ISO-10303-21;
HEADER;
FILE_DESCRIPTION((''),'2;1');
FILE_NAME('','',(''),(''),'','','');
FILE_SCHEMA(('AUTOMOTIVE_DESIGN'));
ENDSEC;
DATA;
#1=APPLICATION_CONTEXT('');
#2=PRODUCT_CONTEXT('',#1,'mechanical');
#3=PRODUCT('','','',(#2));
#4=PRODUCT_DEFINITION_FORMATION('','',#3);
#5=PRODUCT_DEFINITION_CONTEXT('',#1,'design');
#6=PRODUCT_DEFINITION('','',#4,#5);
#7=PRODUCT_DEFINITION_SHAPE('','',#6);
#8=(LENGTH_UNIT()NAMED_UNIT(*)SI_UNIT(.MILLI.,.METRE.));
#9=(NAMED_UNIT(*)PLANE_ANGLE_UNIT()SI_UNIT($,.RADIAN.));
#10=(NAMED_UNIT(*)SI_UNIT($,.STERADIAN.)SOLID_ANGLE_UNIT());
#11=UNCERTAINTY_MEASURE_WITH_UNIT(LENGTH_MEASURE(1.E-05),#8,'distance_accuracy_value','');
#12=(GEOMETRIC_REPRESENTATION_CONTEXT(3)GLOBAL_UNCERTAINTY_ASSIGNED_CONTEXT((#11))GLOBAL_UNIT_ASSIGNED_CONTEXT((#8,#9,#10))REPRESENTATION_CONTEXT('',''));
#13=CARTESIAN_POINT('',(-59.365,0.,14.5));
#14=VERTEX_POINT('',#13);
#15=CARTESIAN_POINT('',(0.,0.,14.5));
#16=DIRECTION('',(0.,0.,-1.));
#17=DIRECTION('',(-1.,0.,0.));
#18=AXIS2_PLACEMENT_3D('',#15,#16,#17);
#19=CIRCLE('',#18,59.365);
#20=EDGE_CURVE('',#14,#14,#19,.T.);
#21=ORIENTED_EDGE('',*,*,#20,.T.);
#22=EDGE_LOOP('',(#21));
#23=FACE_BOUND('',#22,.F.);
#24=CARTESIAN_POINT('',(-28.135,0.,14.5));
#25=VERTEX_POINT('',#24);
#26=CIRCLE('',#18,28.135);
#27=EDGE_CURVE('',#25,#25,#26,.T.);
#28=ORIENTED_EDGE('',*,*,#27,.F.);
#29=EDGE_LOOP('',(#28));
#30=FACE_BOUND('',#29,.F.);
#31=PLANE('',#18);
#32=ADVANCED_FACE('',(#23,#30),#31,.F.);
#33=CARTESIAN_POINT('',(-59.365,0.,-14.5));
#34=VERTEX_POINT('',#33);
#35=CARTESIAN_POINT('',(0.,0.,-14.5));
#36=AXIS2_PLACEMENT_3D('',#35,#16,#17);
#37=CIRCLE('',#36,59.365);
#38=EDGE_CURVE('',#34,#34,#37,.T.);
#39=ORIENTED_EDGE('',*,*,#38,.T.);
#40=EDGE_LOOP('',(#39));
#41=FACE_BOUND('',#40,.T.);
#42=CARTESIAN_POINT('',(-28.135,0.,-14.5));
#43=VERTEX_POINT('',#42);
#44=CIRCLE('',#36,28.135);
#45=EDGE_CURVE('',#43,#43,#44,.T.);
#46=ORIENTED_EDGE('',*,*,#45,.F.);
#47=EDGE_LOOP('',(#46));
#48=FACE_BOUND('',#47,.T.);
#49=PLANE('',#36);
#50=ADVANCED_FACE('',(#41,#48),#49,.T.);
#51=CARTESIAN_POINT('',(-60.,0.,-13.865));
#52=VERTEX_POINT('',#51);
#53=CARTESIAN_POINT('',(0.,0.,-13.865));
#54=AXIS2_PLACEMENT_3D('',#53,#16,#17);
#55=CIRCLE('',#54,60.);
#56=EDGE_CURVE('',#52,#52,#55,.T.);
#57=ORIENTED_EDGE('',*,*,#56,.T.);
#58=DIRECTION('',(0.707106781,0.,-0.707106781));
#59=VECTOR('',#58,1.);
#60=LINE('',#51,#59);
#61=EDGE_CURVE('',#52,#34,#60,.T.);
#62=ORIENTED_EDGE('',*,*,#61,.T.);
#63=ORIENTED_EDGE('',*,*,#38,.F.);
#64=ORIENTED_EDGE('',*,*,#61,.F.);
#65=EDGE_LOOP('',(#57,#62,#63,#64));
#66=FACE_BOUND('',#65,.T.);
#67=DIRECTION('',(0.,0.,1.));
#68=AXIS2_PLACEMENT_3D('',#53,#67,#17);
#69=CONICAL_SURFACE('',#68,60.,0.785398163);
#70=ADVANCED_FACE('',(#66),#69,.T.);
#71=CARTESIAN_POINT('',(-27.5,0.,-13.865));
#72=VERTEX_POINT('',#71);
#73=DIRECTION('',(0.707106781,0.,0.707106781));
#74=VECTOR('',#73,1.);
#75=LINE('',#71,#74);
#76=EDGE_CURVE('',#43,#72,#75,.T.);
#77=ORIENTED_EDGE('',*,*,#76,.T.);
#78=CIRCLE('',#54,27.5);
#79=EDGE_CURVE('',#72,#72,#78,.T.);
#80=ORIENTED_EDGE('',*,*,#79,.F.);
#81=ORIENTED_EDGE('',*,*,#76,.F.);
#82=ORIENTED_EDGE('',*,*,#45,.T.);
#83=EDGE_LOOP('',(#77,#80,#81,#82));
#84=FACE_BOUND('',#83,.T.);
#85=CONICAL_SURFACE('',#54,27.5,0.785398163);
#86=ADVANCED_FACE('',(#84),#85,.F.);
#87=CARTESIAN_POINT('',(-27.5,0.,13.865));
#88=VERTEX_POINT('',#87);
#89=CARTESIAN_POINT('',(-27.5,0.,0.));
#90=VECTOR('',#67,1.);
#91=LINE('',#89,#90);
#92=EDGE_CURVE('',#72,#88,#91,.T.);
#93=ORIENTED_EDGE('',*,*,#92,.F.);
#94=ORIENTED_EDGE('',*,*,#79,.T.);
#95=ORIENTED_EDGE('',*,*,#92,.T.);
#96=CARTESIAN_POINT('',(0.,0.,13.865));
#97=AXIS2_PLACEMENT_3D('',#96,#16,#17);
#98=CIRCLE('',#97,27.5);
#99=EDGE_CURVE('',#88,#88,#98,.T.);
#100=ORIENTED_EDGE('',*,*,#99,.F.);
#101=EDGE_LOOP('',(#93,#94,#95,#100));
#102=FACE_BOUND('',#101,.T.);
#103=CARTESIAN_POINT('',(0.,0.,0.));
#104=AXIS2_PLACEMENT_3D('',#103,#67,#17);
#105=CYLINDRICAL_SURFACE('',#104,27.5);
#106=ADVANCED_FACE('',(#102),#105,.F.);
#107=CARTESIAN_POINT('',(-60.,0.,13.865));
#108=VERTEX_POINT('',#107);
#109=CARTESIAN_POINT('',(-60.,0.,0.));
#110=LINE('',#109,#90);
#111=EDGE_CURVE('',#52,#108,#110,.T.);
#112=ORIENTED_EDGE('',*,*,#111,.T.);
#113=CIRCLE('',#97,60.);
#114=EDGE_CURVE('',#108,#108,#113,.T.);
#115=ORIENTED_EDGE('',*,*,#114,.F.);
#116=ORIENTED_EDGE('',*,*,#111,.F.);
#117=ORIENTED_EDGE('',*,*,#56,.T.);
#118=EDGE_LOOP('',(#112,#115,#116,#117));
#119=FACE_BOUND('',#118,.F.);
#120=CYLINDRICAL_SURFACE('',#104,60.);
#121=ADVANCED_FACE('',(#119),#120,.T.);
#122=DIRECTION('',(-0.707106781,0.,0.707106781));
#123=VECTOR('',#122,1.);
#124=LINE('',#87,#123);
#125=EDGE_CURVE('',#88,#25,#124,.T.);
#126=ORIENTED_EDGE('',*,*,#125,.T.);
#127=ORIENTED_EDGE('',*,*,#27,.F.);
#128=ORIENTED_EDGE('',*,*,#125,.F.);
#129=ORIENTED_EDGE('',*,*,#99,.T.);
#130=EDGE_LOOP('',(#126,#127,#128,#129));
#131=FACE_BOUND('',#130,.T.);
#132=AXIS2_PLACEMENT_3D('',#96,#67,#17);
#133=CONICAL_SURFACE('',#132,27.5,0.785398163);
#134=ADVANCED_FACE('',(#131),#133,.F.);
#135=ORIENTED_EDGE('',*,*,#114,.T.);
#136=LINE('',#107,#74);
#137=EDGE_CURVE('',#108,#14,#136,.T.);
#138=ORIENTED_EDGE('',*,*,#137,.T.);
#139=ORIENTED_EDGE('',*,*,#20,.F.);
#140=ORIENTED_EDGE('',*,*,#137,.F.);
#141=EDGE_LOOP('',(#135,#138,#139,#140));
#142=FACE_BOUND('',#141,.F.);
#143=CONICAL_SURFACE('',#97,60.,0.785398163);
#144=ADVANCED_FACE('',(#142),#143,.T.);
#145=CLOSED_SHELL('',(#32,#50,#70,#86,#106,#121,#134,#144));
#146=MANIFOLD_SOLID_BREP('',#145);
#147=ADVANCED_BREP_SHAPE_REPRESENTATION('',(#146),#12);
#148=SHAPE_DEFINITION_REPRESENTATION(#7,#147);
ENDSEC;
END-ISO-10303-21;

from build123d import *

# Parameters (mm, degrees)
F0_W    = 32.5
F0_H    = 29
F2_SIZE = 0.635


with BuildPart() as f1:
    # F0 (on Front) → F1 (revolve)
    with BuildSketch(Plane.XZ):
        with Locations((-43.75, 0)):
            Rectangle(F0_W, F0_H)
    revolve(axis=Axis((0, 0, 12.445999), (0, 0, -1)))

    # F2
    f2_edges = [f1.edges().sort_by_distance(p)[0] for p in [
        (27.5, 0, 14.5),
        (60, 0, 14.5),
        (27.5, 0, -14.5),
        (60, 0, -14.5),
    ]]
    chamfer(f2_edges, length=F2_SIZE)


solid = f1.part
